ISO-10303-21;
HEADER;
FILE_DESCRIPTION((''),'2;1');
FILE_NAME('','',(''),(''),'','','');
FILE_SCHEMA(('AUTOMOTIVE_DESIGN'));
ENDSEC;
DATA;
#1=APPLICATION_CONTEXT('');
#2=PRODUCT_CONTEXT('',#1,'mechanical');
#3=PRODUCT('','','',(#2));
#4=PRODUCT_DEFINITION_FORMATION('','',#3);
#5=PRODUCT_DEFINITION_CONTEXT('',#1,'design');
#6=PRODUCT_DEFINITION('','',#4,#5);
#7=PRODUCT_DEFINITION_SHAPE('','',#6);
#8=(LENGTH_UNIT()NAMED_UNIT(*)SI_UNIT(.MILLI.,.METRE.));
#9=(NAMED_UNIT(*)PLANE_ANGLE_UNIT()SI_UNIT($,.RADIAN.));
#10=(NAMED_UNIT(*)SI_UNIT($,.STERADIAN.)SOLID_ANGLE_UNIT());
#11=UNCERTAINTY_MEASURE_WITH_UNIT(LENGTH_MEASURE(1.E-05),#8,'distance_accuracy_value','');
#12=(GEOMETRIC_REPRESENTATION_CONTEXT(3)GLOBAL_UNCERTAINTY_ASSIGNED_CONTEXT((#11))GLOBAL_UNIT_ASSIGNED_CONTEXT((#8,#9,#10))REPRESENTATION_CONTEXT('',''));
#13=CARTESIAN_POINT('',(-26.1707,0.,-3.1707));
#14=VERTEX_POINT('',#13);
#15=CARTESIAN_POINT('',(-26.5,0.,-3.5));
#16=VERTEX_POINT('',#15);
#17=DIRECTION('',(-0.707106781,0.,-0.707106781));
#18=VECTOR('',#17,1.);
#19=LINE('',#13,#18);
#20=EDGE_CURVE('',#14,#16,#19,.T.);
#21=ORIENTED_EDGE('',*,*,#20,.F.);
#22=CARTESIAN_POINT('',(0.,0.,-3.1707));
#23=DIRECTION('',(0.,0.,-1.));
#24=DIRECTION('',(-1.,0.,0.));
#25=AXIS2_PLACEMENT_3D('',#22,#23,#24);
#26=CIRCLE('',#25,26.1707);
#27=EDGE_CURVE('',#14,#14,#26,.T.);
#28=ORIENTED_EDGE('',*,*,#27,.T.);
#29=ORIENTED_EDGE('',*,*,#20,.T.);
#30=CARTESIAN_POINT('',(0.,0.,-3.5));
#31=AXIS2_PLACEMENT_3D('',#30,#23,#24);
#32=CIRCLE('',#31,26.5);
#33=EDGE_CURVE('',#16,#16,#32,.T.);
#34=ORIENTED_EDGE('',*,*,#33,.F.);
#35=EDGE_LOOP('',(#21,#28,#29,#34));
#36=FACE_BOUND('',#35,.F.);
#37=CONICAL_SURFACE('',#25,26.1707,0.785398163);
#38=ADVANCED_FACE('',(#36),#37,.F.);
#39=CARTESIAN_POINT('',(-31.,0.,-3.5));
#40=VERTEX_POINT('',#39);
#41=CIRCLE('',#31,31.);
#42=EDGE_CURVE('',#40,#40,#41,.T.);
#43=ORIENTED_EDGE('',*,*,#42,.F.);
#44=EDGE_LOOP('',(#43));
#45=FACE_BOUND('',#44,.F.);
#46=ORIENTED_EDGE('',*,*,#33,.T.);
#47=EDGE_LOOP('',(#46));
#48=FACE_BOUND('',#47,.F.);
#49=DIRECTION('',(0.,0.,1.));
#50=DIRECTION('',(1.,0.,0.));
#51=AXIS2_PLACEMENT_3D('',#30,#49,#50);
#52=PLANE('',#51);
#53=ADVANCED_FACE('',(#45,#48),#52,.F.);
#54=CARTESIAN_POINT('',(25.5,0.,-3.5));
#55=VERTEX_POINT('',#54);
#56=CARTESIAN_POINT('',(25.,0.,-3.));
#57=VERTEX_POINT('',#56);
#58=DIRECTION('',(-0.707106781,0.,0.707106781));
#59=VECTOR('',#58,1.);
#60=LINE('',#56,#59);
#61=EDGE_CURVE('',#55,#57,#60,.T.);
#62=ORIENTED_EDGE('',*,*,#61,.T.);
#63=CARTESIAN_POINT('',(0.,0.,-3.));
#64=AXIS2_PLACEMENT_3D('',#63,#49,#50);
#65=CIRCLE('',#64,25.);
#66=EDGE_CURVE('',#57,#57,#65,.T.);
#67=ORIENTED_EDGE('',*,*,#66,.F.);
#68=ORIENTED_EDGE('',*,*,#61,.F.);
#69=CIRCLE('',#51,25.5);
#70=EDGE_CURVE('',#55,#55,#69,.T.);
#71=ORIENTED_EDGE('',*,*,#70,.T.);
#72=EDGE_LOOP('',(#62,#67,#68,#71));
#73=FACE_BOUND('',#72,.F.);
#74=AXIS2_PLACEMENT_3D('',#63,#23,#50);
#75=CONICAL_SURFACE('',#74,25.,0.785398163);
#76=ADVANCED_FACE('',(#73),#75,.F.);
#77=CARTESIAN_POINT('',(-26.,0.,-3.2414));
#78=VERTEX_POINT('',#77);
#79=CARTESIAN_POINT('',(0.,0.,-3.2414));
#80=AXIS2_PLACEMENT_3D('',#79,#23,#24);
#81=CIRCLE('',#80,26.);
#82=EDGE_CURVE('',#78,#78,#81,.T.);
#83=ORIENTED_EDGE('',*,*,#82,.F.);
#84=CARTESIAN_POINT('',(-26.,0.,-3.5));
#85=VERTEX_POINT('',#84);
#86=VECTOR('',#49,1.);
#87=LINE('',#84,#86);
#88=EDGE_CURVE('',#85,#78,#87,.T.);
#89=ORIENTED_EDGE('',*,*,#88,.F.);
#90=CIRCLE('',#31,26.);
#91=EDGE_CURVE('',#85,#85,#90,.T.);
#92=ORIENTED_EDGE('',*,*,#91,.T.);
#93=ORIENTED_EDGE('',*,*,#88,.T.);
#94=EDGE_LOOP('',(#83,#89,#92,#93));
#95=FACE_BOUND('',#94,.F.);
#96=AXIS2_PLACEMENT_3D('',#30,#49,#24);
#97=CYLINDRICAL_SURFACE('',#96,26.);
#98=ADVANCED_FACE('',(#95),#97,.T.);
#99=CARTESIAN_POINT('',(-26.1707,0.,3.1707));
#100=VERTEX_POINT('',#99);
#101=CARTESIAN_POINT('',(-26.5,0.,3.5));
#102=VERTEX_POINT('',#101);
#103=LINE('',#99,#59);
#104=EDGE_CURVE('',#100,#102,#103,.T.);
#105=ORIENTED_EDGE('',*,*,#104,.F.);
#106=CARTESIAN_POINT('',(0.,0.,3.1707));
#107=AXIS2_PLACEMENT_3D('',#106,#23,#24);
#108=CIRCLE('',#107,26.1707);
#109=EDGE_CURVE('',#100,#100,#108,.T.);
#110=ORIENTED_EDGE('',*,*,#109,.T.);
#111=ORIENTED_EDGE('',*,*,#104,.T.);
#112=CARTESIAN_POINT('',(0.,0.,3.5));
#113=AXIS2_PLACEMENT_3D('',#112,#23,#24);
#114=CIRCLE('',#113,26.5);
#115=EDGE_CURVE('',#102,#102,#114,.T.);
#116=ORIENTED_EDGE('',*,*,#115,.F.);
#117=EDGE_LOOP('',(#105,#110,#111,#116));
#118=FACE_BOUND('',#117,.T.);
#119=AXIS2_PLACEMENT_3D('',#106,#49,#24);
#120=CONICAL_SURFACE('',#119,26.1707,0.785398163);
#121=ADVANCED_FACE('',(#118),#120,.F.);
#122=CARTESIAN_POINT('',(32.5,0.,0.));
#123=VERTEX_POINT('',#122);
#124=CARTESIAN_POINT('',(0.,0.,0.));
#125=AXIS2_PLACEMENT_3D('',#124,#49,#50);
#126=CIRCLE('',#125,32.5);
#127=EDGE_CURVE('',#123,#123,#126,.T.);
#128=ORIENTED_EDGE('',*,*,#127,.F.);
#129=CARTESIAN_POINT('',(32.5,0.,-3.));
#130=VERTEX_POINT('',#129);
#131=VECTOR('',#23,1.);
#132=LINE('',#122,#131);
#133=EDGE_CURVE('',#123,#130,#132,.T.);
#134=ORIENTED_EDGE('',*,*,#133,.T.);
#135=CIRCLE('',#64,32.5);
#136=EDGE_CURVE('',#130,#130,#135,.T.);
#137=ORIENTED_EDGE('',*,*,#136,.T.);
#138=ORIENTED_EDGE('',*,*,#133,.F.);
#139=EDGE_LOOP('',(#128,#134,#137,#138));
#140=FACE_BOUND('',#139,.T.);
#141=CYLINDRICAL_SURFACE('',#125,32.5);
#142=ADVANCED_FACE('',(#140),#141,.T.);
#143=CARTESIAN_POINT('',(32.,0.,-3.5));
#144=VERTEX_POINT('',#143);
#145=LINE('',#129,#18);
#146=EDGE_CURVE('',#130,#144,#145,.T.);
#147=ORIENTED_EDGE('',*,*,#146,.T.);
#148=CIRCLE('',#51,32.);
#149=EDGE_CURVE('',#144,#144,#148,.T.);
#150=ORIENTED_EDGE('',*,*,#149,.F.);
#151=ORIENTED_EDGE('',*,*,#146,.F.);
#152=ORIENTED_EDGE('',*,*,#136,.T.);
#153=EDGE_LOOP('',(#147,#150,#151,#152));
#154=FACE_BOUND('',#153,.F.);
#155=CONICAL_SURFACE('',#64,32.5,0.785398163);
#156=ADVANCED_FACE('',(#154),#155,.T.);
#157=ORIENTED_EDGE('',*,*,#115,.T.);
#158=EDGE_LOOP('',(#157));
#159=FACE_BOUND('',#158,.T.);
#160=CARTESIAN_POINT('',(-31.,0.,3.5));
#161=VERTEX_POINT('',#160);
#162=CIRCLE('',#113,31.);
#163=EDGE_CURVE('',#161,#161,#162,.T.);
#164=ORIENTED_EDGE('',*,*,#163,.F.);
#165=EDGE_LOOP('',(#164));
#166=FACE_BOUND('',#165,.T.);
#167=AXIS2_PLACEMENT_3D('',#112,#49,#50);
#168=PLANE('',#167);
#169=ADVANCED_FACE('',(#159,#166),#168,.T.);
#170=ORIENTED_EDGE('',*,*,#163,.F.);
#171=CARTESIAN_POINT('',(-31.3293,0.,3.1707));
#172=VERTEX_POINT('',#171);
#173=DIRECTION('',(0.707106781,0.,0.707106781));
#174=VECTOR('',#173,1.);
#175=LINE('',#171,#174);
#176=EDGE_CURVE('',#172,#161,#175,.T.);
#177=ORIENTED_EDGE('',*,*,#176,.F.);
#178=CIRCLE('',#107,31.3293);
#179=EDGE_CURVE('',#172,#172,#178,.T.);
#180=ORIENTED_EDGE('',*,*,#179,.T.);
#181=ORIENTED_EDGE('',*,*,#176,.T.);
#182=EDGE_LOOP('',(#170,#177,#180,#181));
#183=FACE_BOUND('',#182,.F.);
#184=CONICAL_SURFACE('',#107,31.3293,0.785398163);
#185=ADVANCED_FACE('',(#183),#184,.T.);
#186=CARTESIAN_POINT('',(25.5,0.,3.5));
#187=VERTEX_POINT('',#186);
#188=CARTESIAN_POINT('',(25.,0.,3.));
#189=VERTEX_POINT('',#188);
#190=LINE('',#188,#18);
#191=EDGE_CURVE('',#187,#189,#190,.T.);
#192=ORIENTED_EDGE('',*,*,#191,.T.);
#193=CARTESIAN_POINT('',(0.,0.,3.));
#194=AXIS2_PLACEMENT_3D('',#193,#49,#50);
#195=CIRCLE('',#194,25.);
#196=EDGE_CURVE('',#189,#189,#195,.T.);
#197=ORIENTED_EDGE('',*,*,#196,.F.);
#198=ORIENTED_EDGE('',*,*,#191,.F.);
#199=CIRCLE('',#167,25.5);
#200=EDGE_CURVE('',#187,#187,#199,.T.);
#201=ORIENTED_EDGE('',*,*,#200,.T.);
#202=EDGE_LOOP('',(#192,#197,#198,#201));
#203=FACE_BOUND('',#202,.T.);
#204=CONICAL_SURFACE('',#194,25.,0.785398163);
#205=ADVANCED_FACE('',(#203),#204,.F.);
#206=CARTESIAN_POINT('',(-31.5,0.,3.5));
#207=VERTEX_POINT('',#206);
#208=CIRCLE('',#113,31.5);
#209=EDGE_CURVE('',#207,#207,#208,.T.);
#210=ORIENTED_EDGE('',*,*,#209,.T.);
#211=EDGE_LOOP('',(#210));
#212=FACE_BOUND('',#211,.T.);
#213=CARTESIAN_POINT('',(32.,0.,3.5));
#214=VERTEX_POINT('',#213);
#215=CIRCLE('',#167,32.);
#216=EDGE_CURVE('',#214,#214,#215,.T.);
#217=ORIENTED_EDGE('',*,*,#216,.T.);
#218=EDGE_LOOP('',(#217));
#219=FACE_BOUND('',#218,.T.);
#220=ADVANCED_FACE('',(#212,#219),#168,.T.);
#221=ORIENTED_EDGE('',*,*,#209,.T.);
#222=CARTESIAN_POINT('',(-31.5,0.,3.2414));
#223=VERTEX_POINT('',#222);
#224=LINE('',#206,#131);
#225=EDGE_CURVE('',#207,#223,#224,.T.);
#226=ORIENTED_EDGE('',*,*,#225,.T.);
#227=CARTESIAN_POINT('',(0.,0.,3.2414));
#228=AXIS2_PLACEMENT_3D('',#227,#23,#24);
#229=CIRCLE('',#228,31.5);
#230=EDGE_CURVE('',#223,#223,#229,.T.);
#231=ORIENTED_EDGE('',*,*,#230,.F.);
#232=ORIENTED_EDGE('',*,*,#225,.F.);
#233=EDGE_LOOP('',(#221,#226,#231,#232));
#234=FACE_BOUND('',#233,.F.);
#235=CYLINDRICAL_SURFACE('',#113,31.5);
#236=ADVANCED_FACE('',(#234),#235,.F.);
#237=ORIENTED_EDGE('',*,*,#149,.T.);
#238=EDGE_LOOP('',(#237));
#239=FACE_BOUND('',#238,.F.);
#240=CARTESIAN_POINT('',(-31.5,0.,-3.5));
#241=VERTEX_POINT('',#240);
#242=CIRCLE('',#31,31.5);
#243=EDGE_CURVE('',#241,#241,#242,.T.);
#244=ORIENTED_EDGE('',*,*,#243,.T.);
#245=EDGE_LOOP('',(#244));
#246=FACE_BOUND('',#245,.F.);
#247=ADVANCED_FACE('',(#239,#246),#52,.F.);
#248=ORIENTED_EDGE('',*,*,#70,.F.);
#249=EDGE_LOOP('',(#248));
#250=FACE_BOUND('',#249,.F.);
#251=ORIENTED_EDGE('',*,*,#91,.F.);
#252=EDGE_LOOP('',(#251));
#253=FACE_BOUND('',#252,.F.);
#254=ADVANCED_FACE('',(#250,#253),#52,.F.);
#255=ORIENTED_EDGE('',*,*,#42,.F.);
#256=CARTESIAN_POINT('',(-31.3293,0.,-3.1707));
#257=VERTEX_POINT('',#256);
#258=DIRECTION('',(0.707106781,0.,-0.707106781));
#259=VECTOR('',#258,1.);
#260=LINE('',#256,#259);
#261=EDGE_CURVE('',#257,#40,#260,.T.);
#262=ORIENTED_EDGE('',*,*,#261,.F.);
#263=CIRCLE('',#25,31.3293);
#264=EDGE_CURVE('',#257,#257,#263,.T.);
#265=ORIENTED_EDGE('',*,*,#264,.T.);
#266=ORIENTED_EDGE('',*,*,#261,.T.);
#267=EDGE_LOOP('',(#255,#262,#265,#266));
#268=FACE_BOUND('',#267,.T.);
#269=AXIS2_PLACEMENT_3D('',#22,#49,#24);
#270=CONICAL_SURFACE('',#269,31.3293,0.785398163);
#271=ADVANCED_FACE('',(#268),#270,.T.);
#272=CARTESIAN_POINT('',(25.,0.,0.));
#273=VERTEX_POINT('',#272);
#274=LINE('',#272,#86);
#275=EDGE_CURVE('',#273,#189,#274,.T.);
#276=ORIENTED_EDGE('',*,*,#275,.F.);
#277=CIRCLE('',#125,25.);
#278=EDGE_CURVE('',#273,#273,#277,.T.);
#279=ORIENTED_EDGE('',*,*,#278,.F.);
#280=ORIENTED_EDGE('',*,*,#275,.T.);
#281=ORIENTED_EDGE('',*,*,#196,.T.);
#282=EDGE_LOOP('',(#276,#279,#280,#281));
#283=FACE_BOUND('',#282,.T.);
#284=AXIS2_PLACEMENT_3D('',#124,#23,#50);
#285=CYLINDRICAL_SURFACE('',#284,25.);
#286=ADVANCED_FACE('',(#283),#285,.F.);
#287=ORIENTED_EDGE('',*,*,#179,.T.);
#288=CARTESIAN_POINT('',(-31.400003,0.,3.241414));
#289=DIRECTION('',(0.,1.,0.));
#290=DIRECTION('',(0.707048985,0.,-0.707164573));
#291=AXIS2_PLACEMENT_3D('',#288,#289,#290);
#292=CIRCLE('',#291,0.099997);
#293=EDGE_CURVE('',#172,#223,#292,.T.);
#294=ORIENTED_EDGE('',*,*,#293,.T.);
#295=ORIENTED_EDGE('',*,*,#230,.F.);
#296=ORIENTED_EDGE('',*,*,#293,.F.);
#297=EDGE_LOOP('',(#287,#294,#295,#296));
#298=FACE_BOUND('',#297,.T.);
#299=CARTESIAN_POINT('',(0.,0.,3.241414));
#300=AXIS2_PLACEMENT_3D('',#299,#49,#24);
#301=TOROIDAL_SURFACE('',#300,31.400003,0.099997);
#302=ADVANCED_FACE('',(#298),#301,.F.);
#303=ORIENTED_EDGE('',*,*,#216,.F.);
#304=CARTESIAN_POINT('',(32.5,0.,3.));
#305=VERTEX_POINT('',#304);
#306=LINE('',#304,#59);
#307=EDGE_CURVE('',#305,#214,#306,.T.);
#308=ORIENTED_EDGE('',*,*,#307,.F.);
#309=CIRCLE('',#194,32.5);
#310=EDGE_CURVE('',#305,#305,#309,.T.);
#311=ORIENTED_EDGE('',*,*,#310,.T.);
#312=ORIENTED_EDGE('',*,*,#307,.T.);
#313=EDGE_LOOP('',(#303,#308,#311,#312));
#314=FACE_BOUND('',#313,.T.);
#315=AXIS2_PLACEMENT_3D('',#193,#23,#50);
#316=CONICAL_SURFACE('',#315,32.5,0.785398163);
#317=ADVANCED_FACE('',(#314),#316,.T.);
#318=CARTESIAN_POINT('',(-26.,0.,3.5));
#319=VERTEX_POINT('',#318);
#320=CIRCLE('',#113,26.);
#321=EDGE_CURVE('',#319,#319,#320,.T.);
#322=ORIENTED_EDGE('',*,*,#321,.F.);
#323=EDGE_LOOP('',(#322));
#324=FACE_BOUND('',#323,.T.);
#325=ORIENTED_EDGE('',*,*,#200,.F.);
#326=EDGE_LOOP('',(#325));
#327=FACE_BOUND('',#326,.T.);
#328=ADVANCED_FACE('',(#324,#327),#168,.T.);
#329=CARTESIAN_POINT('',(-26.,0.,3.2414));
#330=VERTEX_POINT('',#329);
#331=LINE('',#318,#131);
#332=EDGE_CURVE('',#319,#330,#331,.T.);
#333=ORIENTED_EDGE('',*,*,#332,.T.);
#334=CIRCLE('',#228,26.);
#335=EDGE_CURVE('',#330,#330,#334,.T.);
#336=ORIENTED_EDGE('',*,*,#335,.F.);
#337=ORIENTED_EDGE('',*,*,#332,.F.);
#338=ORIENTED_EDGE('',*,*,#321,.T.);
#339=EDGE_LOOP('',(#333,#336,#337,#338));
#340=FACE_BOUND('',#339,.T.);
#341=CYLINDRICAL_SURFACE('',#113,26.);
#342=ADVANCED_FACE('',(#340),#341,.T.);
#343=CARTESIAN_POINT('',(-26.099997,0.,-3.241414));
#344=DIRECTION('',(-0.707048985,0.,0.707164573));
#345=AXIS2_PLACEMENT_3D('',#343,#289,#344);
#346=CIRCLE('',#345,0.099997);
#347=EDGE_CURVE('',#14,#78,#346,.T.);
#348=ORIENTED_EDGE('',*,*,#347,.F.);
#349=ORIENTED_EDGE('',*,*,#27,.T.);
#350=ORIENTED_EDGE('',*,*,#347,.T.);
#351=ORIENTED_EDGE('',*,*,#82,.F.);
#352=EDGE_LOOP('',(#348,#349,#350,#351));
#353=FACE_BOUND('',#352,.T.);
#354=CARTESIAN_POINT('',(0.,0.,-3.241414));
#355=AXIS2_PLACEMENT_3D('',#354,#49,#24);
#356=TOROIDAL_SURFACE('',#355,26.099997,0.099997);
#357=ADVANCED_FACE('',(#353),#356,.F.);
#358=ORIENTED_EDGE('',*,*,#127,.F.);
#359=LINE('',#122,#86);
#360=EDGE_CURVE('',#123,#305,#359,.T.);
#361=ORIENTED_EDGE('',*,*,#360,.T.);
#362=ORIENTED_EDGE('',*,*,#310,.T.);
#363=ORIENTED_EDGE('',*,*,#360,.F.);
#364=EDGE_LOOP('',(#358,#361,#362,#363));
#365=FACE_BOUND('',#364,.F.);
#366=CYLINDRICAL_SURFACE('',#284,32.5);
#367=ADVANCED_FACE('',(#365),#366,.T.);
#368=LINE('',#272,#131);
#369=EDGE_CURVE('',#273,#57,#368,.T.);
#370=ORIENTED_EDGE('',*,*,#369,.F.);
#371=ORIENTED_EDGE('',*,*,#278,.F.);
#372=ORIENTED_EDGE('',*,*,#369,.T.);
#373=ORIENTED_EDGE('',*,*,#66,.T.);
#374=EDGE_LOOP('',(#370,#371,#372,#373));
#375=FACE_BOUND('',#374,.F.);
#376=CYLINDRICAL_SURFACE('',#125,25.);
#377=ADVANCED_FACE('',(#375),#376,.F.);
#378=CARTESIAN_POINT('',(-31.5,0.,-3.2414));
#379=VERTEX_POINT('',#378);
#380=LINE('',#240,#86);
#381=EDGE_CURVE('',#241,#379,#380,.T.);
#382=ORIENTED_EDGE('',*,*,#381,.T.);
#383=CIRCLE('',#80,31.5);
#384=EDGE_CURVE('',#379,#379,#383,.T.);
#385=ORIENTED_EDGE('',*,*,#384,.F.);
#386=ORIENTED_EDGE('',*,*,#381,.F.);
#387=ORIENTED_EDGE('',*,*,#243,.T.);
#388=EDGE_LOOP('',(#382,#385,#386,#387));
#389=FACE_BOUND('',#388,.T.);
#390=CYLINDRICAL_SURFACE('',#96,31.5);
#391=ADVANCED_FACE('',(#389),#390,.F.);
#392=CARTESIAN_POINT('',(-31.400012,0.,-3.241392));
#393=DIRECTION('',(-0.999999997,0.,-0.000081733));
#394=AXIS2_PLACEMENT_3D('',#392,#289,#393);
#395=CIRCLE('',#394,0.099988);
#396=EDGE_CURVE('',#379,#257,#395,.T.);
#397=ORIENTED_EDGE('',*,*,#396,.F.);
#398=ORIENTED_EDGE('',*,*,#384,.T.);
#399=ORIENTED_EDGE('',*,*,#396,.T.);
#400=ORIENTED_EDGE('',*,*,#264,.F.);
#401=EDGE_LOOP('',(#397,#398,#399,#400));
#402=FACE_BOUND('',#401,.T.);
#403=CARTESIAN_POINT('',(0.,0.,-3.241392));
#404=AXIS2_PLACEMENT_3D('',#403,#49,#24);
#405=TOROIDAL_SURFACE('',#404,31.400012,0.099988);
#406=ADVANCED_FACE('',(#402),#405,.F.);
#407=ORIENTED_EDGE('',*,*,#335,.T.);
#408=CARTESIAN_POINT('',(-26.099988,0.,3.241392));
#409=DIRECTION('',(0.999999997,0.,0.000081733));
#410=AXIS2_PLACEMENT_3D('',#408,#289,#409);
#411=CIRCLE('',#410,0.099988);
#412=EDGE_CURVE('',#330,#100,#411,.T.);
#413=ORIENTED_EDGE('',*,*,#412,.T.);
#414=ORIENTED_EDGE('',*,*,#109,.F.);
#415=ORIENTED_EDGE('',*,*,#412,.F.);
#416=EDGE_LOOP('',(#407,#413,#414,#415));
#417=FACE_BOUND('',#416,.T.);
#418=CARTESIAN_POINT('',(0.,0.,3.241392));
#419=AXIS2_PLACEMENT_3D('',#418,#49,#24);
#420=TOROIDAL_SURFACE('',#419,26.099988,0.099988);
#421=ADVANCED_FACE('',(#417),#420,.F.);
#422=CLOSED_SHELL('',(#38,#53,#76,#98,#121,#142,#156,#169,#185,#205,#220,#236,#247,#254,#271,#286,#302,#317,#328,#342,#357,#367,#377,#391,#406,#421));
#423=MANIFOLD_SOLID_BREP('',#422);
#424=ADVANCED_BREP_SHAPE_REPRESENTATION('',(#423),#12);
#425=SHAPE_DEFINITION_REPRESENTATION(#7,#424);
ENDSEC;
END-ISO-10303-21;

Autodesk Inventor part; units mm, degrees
ref_plane "YZ Plane" through (0, 0, 0) normal (1, 0, 0) x (0, 1, 0)
ref_plane "XZ Plane" through (0, 0, 0) normal (0, 1, 0) x (-1, 0, 0)
ref_plane "XY Plane" through (0, 0, 0) normal (0, 0, 1) x (1, 0, 0)
sketch "스케치1" plane through (0, 0, 0) normal (0, 0, 1) x (1, 0, 0)
  circle A0 centre (0, 0) radius 25
  circle A1 centre (0, 0) radius 32.5
  dimension "d0" = 50
  dimension "d1" = 65
extrude "돌출1" add sketch "스케치1" along normal mid plane 7
chamfer "모따기1" distance 0.5 angle 45 4 edges at (-32.5, 0, 3.5) (-32.5, 0, -3.5) (-25, 0, 3.5) (-25, 0, -3.5)
sketch "스케치2" plane through (0, 0, 0) normal (0, 1, 0) x (-1, 0, 0)
  line L0 (-32, 3.5) -> (32, 3.5) projected
  line L1 (31.5, 3.5) -> (31.5, 3.2414)
  line L2 (31.3293, 3.1707) -> (31, 3.5)
  line L3 (32.5, 0) -> (25, 0)
  line L4 (25, 3) -> (25, -3) projected
  arc A0 (31.3293, 3.1707) -> (31.5, 3.2414) centre (31.4, 3.2414) ccw
  line L5 (28.75, 0) -> (28.75, 1.7292)
  line L6 (26, 3.5) -> (26, 3.2414)
  line L7 (26.1707, 3.1707) -> (26.5, 3.5)
  arc A1 (26, 3.2414) -> (26.1707, 3.1707) centre (26.1, 3.2414) ccw
  line L8 (31.5, -3.5) -> (31.5, -3.2414)
  line L9 (31.3293, -3.1707) -> (31, -3.5)
  arc A2 (31.5, -3.2414) -> (31.3293, -3.1707) centre (31.4, -3.2414) ccw
  line L10 (26, -3.5) -> (26, -3.2414)
  line L11 (26.1707, -3.1707) -> (26.5, -3.5)
  arc A3 (26.1707, -3.1707) -> (26, -3.2414) centre (26.1, -3.2414) ccw
  line L12 (0, 0) -> (0, -13.1586)
  line L13 (32, -3.5) -> (-32, -3.5) projected
  line L14 (32.5, -3) -> (32.5, 3) projected
  point P0 (31.5, 3)
  point P1 (25.5, 3.5)
  point P2 (26, 3)
  point P3 (31.5, -3)
  point P4 (25.5, -3.5)
  point P5 (26, -3)
  dimension "d7" = 0.5
  dimension "d8" = 0.5
  dimension "d9" = 0.5
  dimension "d10" = 0.1
revolve "회전1" cut sketch "스케치2" angle 360 about axis through (0, 0, 0) along (0, 0, -1)
properties part number "6203베어링"
